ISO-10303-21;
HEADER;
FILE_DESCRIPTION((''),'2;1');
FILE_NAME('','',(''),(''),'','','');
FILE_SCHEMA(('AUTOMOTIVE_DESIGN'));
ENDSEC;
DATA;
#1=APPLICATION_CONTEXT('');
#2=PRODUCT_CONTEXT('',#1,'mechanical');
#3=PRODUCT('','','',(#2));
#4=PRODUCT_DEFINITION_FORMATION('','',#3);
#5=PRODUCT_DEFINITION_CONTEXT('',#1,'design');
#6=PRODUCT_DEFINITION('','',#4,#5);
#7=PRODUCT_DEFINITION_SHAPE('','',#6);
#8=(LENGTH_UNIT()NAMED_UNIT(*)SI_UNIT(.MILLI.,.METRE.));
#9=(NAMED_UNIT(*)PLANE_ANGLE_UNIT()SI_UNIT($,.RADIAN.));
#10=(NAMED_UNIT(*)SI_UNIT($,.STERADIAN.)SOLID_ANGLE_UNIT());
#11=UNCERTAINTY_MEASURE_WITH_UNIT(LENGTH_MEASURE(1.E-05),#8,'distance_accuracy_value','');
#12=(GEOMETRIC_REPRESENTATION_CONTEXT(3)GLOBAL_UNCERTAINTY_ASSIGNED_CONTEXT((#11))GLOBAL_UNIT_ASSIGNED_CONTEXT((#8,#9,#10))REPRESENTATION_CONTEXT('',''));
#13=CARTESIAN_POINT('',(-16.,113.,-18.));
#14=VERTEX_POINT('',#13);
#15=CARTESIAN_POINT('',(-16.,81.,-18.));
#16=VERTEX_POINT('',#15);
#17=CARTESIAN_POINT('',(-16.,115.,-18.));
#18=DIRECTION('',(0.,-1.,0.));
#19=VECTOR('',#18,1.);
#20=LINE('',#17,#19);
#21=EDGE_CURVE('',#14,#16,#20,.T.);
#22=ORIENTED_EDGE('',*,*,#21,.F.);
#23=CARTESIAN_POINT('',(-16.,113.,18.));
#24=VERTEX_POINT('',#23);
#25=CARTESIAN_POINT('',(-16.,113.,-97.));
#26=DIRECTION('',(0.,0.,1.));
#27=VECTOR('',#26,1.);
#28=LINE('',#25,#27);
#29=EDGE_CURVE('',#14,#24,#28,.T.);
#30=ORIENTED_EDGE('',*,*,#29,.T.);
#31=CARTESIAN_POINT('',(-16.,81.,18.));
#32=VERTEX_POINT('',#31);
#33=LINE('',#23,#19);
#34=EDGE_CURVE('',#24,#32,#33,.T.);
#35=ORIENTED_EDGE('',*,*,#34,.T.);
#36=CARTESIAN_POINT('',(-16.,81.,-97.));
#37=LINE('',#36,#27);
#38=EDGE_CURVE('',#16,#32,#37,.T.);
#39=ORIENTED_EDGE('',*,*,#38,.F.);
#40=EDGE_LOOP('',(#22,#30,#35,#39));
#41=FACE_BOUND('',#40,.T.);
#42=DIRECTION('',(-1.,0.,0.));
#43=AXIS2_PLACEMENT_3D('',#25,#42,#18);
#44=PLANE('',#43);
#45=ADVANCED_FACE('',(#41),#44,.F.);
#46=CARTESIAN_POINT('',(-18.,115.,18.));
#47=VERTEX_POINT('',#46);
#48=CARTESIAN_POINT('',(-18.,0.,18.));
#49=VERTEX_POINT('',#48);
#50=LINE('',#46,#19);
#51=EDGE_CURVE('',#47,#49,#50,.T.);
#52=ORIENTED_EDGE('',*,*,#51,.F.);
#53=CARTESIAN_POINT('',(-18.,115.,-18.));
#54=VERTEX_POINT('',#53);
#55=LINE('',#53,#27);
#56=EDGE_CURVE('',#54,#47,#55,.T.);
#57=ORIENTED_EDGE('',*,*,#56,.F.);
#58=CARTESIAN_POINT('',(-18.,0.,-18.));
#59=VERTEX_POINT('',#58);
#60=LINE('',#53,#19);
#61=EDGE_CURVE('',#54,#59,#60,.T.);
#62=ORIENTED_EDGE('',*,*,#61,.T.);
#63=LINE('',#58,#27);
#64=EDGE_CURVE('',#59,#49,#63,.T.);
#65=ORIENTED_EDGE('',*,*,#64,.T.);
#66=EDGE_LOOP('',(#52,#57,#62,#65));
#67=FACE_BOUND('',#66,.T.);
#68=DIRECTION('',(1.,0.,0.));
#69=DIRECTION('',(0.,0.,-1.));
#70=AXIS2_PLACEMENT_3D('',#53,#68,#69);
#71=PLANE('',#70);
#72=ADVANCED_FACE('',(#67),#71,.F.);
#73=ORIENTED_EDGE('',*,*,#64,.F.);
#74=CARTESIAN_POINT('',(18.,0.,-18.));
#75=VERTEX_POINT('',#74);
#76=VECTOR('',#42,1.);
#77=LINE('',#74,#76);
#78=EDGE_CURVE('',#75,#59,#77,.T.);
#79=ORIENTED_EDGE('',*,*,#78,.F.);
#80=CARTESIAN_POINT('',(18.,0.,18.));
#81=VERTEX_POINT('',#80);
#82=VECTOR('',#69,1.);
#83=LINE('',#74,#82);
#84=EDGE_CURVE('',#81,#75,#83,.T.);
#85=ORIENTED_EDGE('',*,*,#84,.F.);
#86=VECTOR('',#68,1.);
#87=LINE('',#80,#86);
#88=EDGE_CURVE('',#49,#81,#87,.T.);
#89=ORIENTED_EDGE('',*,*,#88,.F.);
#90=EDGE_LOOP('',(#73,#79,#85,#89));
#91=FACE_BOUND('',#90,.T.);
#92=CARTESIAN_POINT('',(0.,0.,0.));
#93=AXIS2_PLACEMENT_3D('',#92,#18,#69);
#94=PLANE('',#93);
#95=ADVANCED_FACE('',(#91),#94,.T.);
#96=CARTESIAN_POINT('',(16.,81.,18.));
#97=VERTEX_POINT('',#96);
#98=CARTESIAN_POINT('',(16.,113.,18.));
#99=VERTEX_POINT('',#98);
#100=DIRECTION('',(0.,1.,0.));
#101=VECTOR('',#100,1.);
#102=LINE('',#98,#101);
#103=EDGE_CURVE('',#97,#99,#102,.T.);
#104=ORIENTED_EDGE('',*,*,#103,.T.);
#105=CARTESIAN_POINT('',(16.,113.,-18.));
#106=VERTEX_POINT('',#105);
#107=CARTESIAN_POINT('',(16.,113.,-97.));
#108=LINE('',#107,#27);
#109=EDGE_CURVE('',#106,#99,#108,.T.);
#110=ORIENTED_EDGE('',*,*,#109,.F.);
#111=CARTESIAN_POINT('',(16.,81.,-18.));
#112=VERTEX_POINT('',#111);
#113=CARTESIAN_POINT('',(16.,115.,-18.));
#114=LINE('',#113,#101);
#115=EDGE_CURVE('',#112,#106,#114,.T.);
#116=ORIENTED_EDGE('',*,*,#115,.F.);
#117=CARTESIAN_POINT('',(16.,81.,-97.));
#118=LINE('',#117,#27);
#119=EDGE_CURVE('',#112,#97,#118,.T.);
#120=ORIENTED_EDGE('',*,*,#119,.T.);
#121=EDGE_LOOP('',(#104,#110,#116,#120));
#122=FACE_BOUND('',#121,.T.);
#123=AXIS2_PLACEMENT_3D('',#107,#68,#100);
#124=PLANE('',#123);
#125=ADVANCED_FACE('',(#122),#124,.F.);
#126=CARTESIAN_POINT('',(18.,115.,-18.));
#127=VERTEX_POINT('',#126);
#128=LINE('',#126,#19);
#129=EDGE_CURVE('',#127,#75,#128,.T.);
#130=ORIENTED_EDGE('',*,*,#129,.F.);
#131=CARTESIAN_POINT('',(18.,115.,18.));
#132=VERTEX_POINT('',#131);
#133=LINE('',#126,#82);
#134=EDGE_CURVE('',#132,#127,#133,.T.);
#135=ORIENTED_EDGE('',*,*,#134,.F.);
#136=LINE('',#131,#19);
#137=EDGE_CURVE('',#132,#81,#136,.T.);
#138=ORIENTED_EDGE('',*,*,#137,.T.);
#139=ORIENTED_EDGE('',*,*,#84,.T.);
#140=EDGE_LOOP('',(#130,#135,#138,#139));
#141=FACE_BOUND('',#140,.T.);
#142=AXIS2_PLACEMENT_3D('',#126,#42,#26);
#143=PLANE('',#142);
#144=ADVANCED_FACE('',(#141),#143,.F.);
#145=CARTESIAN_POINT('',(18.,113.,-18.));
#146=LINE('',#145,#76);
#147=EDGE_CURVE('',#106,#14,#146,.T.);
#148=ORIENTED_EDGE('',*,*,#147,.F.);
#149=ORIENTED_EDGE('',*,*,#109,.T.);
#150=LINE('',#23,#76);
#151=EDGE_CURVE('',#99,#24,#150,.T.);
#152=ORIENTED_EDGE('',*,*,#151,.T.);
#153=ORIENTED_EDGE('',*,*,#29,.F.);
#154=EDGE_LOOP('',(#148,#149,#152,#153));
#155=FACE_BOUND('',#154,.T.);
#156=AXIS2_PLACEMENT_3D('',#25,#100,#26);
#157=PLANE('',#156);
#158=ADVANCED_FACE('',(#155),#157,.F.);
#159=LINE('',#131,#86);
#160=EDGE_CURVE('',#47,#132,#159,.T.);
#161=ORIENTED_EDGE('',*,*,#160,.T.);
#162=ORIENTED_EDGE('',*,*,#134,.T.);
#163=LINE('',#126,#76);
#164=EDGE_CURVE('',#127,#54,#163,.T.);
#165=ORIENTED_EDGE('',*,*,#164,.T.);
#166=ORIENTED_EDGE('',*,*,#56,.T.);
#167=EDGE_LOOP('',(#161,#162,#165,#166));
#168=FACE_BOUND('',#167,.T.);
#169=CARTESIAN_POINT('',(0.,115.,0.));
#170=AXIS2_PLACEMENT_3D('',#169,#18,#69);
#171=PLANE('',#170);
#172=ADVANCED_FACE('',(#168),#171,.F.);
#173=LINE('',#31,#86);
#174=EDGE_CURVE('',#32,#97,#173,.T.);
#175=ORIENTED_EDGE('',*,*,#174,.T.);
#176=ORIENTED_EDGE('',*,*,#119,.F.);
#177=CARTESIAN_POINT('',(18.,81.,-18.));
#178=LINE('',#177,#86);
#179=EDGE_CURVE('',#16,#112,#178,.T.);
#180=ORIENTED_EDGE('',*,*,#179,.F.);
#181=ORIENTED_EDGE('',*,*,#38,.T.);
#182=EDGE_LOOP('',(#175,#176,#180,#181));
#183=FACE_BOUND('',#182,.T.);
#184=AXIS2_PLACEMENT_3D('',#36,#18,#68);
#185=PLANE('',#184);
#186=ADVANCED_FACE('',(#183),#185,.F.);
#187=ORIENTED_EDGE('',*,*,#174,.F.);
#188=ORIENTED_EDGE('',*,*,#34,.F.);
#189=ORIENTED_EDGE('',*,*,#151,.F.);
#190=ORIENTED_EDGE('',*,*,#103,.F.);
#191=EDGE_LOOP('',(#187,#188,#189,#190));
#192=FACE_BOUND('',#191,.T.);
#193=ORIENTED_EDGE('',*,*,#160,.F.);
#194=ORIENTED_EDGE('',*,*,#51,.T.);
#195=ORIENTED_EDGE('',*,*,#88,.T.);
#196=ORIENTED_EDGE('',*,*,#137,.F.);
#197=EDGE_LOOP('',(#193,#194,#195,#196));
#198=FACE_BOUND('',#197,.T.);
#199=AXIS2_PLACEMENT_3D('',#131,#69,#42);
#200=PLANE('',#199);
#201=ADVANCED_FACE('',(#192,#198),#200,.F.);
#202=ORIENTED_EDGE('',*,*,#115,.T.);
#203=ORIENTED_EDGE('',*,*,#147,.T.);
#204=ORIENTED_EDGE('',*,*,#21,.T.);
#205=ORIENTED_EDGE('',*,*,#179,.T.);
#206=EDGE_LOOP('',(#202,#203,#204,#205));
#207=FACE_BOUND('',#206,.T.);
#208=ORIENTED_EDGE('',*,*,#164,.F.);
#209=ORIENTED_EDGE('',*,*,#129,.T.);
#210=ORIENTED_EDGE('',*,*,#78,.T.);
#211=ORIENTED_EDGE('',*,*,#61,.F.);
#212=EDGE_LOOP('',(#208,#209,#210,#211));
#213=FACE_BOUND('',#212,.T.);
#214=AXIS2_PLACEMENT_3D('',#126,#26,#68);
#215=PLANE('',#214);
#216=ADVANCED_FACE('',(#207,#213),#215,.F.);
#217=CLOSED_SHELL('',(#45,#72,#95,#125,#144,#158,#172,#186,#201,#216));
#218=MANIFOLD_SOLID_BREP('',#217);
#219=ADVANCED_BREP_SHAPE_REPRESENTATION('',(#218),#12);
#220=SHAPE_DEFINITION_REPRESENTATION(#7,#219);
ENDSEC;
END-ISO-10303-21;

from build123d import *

# Parameters (mm, degrees)
SKETCH1_W           = 36
SKETCH1_H           = 36
BOSS_EXTRUDE1_DEPTH = 115
SKETCH2_W           = 32
SKETCH2_H           = 32
CUT_EXTRUDE1_DEPTH  = 115


with BuildPart() as part:
    # Sketch1 → Boss-Extrude1 (new body)
    with BuildSketch(Plane(origin=(0, 0, 0), x_dir=(1, 0, 0), z_dir=(0, 1, 0))):
        Rectangle(SKETCH1_W, SKETCH1_H)
    extrude(amount=BOSS_EXTRUDE1_DEPTH)

    # Sketch2 → Cut-Extrude1 (cut)
    with BuildSketch(Plane.XY.offset(18)):
        with Locations((0, 97)):
            Rectangle(SKETCH2_W, SKETCH2_H)
    extrude(amount=-CUT_EXTRUDE1_DEPTH, mode=Mode.SUBTRACT)


solid = part.part
